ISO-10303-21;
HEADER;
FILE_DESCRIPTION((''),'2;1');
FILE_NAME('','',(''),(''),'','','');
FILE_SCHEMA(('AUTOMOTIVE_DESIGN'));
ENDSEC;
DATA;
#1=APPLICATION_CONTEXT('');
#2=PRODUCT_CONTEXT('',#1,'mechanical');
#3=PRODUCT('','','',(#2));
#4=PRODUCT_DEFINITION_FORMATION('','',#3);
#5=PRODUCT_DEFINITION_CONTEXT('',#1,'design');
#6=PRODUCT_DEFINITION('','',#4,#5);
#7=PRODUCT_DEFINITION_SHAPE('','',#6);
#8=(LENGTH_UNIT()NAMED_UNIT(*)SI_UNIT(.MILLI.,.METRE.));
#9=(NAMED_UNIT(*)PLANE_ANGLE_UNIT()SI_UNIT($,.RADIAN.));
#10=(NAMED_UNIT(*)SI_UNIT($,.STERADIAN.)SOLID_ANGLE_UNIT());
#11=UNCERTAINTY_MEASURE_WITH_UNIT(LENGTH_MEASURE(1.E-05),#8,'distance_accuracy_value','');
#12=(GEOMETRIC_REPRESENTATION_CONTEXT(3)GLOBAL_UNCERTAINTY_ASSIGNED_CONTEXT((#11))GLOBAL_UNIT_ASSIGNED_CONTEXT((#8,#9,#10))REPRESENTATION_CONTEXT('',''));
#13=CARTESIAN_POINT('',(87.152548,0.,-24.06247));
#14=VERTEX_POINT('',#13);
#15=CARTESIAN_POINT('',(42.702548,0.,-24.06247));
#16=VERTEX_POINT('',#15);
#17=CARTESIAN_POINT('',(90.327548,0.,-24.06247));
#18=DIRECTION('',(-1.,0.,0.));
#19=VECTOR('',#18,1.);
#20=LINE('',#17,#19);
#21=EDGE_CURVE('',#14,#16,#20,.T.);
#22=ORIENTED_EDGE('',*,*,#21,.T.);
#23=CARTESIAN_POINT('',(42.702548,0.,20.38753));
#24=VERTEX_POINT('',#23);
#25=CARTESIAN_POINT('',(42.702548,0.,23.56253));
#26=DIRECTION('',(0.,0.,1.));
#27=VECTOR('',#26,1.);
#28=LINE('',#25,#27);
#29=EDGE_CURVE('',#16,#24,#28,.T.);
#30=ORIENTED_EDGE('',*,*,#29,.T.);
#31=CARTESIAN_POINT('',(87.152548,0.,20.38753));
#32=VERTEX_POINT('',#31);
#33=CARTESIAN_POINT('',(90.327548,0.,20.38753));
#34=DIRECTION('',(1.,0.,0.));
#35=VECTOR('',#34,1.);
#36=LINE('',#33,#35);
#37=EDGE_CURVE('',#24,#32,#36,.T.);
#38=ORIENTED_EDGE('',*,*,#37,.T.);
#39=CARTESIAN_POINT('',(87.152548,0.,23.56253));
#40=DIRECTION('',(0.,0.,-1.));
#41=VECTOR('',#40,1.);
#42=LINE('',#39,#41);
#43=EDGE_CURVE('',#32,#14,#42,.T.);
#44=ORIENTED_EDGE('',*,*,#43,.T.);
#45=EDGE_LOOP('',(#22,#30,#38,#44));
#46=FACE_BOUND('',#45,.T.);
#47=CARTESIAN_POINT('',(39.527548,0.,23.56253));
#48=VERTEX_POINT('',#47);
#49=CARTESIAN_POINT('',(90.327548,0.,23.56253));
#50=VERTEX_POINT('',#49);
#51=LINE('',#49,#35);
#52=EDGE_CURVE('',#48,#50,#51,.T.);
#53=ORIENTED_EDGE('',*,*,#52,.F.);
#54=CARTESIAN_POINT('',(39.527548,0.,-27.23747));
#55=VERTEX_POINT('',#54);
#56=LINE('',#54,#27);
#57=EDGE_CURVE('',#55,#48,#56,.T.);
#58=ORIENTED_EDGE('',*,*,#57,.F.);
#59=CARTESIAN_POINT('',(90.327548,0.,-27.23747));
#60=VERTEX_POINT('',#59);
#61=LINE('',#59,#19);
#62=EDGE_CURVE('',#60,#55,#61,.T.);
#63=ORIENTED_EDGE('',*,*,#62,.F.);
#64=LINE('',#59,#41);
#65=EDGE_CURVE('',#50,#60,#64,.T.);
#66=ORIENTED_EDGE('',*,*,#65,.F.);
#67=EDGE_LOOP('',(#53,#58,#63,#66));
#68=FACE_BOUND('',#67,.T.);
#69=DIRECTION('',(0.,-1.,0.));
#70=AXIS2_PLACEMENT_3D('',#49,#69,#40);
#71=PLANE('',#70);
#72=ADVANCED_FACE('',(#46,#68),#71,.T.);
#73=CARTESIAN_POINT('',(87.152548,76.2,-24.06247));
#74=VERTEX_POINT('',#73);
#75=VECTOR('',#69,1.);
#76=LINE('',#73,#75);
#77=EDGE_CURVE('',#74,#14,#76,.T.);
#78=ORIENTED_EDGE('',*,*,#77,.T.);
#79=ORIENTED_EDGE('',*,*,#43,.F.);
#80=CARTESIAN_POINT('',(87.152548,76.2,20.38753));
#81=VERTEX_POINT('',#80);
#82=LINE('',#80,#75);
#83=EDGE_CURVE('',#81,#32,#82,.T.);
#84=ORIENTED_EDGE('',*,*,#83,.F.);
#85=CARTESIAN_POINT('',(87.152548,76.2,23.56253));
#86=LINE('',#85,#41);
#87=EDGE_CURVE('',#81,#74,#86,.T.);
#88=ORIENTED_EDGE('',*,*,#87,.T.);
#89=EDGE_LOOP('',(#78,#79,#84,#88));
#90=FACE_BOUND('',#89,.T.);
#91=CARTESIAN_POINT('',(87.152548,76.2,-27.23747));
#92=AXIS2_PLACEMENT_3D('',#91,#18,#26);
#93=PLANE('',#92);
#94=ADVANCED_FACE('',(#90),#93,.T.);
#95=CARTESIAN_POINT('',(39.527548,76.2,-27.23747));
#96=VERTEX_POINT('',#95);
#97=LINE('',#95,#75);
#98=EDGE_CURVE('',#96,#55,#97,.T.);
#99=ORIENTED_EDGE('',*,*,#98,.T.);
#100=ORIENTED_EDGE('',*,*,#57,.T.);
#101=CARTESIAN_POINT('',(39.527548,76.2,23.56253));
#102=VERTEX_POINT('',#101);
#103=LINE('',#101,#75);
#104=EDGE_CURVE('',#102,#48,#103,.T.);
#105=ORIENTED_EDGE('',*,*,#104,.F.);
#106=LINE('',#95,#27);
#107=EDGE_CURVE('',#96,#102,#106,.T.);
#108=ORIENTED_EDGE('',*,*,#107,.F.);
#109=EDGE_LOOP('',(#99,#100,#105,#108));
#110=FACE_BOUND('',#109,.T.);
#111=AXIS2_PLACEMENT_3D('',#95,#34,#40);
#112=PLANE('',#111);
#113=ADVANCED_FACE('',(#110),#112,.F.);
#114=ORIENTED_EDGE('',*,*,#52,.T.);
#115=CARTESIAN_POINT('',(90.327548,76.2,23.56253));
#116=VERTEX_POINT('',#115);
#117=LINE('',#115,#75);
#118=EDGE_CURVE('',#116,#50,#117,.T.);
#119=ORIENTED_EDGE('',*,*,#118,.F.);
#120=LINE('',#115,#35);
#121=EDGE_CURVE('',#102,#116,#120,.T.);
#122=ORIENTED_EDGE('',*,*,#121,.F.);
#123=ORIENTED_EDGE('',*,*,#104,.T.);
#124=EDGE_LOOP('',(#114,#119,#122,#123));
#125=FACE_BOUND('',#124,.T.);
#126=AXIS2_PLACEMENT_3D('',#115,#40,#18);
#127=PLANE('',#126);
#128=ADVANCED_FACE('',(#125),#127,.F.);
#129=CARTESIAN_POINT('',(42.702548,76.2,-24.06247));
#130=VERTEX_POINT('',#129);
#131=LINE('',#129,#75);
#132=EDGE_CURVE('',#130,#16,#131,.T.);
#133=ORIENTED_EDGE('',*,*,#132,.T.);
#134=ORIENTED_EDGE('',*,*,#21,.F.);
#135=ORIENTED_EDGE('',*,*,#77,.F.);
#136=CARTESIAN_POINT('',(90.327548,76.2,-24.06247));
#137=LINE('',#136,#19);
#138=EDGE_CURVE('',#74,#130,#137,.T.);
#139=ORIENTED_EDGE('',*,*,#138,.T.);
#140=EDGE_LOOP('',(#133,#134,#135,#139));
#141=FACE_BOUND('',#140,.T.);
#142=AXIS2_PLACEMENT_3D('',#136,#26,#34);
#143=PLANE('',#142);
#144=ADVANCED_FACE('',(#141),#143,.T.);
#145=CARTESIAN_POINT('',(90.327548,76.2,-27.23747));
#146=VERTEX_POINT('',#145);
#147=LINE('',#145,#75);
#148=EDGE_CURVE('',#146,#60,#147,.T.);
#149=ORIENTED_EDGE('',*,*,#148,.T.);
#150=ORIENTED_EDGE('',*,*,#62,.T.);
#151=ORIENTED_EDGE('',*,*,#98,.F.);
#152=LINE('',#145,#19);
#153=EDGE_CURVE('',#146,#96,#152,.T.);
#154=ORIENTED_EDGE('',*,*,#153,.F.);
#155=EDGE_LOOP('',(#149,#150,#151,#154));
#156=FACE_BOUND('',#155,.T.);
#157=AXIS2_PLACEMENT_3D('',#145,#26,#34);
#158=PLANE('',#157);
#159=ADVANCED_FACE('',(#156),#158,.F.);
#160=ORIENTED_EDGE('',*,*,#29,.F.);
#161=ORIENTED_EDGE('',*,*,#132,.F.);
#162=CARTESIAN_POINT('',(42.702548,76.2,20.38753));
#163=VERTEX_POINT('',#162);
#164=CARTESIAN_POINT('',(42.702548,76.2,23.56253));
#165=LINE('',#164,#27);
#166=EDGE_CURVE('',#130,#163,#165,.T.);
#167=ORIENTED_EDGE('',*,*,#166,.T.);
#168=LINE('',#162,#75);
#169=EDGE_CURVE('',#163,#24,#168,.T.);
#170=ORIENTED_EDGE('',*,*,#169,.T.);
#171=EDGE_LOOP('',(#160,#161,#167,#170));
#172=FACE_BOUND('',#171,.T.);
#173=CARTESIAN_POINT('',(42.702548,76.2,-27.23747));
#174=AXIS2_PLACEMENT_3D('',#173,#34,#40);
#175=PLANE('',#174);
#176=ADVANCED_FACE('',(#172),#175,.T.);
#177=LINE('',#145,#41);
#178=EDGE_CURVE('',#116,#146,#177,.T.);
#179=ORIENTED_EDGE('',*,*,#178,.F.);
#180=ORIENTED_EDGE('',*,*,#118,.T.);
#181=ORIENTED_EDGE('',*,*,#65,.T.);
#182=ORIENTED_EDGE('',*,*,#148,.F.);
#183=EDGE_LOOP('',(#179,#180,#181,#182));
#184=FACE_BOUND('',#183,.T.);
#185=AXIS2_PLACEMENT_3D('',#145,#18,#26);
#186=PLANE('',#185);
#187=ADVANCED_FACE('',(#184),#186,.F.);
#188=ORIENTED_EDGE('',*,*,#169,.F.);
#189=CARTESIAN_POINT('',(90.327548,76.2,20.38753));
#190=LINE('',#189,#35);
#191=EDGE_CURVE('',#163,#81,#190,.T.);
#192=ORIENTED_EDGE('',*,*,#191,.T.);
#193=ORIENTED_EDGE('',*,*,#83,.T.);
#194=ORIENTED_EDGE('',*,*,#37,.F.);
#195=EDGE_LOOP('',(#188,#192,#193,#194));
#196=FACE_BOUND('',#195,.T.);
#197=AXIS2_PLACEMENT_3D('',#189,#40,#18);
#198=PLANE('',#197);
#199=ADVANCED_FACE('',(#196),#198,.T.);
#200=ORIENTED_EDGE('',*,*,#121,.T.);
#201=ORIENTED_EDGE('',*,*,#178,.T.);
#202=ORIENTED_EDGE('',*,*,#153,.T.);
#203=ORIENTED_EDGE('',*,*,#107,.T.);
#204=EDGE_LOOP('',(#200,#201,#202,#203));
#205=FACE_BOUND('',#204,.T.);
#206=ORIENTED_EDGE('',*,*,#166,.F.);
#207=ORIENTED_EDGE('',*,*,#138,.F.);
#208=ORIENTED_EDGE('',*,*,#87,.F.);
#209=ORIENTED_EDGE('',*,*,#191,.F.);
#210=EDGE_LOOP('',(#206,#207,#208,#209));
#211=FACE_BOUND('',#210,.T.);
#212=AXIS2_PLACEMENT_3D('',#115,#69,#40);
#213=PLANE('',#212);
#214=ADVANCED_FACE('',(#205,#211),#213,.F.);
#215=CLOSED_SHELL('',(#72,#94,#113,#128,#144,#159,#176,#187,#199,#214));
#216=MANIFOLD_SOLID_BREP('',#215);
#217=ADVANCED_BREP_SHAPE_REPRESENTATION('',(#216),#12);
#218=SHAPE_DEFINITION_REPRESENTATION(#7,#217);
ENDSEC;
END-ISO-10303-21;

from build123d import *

# Parameters (mm, degrees)
SKETCH1_W           = 50.8
SKETCH1_H           = 50.8
BOSS_EXTRUDE1_DEPTH = 76.2
SHELL1_T            = -3.175


with BuildPart() as part:
    # Sketch1 → Boss-Extrude1 (new body)
    with BuildSketch(Plane(origin=(0, 0, 0), x_dir=(1, 0, 0), z_dir=(0, 1, 0))):
        with Locations((64.927548208, 1.837470194)):
            Rectangle(SKETCH1_W, SKETCH1_H)
    extrude(amount=BOSS_EXTRUDE1_DEPTH)

    # Shell1
    shell1_openings = [part.faces().sort_by_distance(p)[0] for p in [
        (64.927548208, 76.2, -1.837470194),
        (64.927548208, 0, -1.837470194),
    ]]
    offset(amount=SHELL1_T, openings=shell1_openings, kind=Kind.INTERSECTION)


solid = part.part
